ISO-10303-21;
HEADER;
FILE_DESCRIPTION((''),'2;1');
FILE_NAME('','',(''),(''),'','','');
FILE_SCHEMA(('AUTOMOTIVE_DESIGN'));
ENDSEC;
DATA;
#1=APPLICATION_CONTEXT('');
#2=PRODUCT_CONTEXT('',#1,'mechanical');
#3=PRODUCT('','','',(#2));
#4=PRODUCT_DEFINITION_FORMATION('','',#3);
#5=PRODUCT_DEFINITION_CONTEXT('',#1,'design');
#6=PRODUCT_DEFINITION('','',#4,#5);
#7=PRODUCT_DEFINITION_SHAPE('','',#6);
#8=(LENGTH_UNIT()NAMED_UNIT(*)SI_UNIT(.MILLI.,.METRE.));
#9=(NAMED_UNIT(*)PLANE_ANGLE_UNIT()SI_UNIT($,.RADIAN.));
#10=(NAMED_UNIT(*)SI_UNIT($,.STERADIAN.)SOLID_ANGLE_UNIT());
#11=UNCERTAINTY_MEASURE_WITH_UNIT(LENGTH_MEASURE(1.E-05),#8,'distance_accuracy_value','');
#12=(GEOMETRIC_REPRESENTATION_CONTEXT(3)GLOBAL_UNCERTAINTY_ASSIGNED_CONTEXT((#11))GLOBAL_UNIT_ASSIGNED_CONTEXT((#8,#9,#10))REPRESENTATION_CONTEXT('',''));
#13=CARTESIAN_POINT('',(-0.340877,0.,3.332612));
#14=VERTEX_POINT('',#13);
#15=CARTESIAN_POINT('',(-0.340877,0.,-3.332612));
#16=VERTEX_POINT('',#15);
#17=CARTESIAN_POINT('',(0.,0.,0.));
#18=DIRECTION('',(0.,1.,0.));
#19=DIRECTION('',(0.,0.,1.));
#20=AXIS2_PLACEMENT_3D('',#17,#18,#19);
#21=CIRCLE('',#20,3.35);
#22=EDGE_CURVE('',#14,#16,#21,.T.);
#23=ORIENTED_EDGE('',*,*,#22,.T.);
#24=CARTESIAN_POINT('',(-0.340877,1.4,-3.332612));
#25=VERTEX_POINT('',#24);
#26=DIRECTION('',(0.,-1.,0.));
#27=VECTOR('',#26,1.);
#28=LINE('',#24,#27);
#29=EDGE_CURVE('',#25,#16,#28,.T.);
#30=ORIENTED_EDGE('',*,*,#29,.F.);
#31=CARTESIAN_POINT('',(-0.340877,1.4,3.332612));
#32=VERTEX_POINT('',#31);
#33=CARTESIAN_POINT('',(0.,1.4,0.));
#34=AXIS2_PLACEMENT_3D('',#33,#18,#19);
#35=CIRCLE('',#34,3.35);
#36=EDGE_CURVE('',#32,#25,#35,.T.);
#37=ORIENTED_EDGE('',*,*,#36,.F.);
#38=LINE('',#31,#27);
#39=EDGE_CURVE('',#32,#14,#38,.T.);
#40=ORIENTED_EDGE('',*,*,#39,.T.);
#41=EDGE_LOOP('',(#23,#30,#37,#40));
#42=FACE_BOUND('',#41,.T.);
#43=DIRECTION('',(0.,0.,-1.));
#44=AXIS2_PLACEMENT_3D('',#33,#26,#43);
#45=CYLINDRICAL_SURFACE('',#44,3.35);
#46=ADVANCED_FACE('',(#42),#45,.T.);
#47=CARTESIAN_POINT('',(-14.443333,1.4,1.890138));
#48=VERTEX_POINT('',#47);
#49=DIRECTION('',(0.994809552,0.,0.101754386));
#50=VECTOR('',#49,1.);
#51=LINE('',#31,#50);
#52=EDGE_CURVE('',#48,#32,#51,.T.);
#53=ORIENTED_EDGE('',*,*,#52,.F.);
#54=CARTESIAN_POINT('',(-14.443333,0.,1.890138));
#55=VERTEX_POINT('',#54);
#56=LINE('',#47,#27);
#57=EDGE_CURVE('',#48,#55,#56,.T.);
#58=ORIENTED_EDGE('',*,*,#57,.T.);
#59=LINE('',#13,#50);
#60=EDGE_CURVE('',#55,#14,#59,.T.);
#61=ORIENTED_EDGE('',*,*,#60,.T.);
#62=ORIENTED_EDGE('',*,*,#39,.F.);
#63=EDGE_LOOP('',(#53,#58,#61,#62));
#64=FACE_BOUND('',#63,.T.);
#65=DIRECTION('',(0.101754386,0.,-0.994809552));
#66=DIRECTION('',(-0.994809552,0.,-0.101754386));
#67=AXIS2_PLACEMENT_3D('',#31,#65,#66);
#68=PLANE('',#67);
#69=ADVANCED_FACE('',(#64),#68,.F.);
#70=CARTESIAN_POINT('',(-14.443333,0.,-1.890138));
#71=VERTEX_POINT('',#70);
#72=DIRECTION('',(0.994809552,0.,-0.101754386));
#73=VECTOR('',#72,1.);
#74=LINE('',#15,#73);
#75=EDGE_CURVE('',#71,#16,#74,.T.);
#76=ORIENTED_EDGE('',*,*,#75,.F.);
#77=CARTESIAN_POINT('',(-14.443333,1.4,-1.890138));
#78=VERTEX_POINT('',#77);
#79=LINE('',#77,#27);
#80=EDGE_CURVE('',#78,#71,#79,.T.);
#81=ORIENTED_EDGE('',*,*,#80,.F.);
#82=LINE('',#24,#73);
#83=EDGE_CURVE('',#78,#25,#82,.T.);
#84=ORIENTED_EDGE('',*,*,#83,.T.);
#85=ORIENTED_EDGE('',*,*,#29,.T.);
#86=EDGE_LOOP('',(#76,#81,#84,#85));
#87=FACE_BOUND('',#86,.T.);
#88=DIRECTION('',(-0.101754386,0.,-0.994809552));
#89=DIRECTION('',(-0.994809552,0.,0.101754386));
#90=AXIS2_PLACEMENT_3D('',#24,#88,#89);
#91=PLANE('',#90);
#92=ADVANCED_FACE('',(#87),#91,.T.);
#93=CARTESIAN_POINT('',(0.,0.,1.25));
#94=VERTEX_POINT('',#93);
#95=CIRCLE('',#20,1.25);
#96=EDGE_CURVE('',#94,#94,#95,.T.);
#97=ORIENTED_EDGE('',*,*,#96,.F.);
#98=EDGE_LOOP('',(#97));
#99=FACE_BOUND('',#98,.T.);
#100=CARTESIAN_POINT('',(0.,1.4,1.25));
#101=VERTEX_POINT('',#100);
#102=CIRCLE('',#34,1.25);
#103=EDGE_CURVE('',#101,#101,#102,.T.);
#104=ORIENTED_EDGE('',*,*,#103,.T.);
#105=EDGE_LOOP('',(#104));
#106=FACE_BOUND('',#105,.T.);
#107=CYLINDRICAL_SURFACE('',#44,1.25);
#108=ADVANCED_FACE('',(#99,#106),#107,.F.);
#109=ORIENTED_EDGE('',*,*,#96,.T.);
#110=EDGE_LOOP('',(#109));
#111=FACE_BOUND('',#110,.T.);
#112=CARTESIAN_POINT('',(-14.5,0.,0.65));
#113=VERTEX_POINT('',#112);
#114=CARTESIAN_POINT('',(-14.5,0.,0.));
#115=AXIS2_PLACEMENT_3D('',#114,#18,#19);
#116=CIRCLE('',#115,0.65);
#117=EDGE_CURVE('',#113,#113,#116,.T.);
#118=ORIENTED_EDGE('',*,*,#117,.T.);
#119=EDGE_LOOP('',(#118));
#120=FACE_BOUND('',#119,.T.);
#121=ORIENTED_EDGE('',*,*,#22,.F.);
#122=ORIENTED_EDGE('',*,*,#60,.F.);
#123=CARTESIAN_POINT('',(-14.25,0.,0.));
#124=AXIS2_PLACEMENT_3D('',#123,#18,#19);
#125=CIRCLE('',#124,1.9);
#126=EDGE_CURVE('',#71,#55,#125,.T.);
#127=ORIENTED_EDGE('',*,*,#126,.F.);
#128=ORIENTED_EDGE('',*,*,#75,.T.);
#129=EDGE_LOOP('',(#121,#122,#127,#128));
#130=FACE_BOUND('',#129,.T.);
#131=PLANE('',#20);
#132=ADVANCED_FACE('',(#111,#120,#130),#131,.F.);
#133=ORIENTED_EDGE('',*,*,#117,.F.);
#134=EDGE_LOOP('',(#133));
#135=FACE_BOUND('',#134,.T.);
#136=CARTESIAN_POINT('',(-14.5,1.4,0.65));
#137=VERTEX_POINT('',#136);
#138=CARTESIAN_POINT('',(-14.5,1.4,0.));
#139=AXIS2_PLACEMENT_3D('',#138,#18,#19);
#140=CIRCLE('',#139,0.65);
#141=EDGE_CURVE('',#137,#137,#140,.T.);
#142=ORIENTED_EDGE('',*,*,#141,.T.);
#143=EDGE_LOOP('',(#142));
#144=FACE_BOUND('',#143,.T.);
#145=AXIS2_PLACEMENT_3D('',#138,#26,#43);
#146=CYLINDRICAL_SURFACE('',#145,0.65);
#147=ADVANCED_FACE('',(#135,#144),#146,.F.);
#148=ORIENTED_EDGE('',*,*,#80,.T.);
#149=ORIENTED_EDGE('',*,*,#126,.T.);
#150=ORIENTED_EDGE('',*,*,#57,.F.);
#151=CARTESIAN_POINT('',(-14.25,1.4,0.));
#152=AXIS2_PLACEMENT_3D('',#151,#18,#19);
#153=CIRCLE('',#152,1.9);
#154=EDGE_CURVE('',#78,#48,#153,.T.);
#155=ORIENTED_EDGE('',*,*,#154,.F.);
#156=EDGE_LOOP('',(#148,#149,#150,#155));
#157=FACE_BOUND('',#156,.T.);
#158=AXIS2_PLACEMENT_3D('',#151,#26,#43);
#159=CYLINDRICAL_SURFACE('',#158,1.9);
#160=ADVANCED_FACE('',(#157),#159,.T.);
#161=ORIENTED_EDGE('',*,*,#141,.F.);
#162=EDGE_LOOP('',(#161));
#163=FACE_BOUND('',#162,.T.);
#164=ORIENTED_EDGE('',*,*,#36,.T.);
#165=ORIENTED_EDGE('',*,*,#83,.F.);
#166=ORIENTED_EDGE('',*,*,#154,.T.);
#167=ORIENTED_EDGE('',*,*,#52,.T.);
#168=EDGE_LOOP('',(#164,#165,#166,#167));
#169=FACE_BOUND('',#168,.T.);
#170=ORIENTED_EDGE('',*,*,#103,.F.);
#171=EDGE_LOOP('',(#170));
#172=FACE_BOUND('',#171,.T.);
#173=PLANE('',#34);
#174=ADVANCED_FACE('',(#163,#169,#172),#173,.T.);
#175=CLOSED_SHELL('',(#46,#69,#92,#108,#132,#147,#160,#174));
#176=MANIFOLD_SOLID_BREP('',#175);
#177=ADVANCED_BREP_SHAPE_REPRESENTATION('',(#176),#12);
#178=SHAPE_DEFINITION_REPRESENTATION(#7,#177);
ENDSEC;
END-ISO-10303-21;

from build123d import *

# Parameters (mm, degrees)
SKETCH1_R           = 0.65
SKETCH1_R_2         = 3.35
SKETCH1_R_3         = 1.25
BOSS_EXTRUDE1_DEPTH = 1.4


with BuildPart() as part:
    # Sketch1 → Boss-Extrude1 (new body)
    # profile 1 of 4: a face of its own
    with BuildSketch(Plane(origin=(0, 0, 0), x_dir=(1, 0, 0), z_dir=(0, 1, 0))):
        with BuildLine():
            Line((-0.340877193, 3.332612), (-14.443333333, 1.890138149))
            ThreePointArc((-14.443333333, 1.890138149), (-12.976684119, 1.410200931), (-12.35, 0))
            ThreePointArc((-12.35, 0), (-12.976684119, -1.410200931), (-14.443333333, -1.890138149))
            Line((-14.443333333, -1.890138149), (-0.340877193, -3.332612))
            ThreePointArc((-0.340877193, -3.332612), (-3.35, 0), (-0.340877193, 3.332612))
        make_face()
    # profile 2 of 4: a face of its own
    with BuildSketch(Plane(origin=(0, 0, 0), x_dir=(1, 0, 0), z_dir=(0, 1, 0))):
        with BuildLine():
            ThreePointArc((-12.35, 0), (-12.976684119, 1.410200931), (-14.443333333, 1.890138149))
            ThreePointArc((-14.443333333, 1.890138149), (-16.15, 0), (-14.443333333, -1.890138149))
            ThreePointArc((-14.443333333, -1.890138149), (-12.976684119, -1.410200931), (-12.35, 0))
        make_face()
        with Locations(Location((-14.5, 0, 0), (0, 0, 270))):
            Circle(SKETCH1_R, mode=Mode.SUBTRACT)
    # profile 3 of 4: a face of its own
    with BuildSketch(Plane(origin=(0, 0, 0), x_dir=(1, 0, 0), z_dir=(0, 1, 0))):
        Circle(SKETCH1_R_2)
        with Locations(Location((0, 0, 0), (0, 0, 270))):
            Circle(SKETCH1_R_3, mode=Mode.SUBTRACT)
    # profile 4 of 4: a face of its own
    with BuildSketch(Plane(origin=(0, 0, 0), x_dir=(1, 0, 0), z_dir=(0, 1, 0))):
        with BuildLine():
            ThreePointArc((3.35, 0), (2.245056948, 2.486406905), (-0.340877193, 3.332612))
            ThreePointArc((-0.340877193, 3.332612), (-3.35, 0), (-0.340877193, -3.332612))
            ThreePointArc((-0.340877193, -3.332612), (2.245056948, -2.486406905), (3.35, 0))
        make_face()
        with Locations(Location((0, 0, 0), (0, 0, 270))):
            Circle(SKETCH1_R_3, mode=Mode.SUBTRACT)
    extrude(amount=BOSS_EXTRUDE1_DEPTH)


solid = part.part
